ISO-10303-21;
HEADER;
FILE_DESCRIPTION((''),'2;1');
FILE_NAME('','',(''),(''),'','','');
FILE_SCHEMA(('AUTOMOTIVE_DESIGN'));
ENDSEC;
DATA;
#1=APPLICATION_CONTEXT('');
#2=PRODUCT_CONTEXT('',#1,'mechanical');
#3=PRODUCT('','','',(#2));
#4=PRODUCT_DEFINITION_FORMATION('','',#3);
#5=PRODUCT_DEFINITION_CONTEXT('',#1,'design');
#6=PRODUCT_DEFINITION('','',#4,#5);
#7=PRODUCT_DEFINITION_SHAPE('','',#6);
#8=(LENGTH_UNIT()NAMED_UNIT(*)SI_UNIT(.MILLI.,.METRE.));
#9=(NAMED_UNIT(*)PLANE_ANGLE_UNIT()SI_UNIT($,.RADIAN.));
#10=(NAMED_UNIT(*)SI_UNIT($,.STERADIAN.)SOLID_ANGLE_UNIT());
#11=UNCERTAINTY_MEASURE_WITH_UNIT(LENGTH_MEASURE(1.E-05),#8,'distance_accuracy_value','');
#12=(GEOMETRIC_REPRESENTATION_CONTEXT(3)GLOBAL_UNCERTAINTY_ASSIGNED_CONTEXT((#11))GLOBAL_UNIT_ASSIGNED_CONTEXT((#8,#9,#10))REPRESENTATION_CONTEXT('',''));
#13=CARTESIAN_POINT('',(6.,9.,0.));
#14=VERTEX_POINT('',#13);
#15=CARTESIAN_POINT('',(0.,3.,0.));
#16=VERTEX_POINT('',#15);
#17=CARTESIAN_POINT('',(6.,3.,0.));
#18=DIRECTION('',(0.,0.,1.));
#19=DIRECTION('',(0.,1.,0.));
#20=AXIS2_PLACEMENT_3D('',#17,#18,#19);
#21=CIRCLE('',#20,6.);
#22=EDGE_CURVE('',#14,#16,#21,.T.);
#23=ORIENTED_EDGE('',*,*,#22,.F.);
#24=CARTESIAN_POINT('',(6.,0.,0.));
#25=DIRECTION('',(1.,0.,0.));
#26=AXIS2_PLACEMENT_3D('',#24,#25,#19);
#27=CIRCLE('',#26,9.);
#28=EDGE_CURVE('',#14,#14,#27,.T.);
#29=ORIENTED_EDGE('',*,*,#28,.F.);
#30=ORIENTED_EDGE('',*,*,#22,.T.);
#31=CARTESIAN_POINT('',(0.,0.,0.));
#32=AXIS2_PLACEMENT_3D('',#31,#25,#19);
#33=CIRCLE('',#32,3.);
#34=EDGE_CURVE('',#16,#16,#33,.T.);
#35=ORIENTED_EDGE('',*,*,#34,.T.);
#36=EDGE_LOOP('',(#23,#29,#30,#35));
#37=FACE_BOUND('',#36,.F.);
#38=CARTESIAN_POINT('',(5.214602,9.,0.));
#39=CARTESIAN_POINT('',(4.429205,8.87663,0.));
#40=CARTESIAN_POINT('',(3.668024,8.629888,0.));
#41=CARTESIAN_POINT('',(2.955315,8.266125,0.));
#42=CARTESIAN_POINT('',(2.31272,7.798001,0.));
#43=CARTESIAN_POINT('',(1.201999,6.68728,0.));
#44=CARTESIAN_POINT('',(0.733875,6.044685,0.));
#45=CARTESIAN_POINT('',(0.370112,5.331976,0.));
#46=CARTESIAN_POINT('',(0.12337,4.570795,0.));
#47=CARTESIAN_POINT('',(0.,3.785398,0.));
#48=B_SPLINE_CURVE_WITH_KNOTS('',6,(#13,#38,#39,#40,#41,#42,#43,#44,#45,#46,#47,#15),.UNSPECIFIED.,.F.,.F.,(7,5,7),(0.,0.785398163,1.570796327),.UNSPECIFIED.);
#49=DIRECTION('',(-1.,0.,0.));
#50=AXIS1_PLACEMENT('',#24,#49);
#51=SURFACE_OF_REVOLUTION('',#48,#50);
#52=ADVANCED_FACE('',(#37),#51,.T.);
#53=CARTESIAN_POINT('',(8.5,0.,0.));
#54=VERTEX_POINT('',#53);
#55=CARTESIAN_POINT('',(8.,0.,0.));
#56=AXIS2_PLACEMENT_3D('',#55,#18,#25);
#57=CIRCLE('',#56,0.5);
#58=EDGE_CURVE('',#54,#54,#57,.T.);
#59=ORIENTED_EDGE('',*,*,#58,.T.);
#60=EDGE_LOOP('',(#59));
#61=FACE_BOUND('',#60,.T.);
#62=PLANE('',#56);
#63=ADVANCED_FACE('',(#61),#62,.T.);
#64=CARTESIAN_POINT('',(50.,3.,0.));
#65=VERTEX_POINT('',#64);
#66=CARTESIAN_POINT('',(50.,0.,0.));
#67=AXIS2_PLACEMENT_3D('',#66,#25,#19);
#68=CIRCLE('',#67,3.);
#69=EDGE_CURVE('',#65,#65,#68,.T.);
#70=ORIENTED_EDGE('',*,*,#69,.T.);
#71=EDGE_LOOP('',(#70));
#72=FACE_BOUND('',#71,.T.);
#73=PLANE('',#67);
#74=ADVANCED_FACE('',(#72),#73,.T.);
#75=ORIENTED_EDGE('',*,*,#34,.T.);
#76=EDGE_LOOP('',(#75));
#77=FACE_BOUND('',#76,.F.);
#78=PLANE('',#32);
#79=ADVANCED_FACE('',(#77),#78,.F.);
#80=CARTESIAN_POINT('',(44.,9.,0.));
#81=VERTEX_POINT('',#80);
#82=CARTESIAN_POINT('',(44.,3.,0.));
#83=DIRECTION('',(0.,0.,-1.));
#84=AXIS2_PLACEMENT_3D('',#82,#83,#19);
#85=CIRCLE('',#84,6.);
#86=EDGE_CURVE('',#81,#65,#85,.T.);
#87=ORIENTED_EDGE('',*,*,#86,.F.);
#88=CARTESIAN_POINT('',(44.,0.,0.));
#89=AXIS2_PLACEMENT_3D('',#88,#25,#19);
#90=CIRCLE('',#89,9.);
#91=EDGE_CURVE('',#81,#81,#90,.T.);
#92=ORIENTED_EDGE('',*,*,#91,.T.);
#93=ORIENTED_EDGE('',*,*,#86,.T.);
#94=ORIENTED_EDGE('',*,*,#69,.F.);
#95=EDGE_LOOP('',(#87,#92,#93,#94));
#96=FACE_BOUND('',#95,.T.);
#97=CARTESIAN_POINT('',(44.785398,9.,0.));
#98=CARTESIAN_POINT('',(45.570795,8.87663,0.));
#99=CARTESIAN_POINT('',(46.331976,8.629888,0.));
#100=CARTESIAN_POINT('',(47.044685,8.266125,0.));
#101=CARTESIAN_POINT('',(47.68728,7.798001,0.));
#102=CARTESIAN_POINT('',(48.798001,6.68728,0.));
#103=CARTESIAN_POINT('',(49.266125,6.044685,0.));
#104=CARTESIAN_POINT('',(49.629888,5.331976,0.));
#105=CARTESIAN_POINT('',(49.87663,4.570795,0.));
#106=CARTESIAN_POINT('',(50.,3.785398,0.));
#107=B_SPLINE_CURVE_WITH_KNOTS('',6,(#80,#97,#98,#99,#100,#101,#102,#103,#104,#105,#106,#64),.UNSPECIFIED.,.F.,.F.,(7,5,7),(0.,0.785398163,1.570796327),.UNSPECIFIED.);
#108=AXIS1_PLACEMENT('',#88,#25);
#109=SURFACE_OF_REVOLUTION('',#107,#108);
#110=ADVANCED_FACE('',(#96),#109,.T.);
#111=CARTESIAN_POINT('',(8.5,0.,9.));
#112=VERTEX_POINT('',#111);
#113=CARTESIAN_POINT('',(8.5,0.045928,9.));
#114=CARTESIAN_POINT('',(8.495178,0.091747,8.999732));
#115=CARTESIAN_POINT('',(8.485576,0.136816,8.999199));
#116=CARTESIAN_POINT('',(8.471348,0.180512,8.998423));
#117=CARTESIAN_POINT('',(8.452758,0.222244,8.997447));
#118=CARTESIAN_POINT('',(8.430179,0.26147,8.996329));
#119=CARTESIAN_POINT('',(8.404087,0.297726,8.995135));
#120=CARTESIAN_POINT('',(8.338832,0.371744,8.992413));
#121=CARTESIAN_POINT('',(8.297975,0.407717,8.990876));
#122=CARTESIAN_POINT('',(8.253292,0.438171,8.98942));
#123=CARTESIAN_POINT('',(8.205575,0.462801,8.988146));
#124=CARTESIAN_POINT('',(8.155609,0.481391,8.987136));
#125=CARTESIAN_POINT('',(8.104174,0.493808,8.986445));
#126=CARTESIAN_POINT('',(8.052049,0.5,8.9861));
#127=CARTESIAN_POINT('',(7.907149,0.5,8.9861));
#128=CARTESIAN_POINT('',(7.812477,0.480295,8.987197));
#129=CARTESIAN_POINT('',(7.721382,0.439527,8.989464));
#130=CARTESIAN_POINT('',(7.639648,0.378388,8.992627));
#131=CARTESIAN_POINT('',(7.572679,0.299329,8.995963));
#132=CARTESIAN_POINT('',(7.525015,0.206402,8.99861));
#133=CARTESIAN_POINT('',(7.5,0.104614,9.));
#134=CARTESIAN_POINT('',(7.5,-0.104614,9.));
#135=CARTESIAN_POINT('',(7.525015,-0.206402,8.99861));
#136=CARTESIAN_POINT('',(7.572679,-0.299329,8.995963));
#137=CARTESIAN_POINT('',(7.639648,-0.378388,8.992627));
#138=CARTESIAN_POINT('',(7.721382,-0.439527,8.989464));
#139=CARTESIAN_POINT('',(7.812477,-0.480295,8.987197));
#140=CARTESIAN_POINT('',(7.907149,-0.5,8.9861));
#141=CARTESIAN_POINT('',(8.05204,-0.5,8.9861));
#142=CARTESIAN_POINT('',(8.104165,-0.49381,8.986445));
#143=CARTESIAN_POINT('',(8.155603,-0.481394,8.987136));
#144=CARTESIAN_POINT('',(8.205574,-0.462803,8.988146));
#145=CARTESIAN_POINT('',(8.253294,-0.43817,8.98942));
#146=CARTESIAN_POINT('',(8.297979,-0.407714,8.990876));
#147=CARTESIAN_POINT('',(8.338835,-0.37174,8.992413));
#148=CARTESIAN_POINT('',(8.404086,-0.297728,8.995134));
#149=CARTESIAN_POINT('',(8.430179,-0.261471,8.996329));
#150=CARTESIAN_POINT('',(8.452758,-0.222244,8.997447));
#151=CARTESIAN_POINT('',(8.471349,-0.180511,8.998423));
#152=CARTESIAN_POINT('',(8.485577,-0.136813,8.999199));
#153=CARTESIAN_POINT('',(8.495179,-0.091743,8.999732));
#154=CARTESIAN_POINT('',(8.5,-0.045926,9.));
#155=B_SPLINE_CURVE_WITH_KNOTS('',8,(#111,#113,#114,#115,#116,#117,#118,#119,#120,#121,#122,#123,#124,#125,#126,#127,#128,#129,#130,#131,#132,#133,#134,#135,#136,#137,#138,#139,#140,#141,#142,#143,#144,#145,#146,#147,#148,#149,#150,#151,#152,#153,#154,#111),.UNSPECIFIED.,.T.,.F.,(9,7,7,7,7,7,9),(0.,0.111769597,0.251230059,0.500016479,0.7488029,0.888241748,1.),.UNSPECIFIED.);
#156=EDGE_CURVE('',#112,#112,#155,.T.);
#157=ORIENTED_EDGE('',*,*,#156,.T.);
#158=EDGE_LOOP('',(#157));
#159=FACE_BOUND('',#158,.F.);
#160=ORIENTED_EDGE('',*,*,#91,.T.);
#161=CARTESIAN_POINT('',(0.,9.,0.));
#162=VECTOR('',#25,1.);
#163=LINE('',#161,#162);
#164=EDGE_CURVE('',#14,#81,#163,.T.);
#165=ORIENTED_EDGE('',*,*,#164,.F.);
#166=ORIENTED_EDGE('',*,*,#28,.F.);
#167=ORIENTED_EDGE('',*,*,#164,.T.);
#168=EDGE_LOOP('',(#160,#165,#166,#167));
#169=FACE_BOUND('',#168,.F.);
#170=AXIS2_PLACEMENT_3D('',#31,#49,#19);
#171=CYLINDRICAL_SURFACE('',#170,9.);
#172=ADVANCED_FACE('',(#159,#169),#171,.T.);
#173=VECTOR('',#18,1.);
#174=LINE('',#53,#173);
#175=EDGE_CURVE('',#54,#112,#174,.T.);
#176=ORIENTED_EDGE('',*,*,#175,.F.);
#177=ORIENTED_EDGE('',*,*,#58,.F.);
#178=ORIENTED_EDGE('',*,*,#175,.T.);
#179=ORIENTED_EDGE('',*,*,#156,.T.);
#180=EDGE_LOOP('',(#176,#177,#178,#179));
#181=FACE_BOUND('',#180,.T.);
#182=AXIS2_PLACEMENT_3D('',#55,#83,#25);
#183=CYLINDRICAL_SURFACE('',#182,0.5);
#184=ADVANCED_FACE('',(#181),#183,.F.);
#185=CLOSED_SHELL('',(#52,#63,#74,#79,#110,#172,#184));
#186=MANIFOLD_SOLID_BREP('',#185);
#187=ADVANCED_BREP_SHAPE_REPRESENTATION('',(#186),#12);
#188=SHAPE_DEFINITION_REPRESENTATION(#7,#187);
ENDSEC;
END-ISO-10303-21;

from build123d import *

# Parameters (mm, degrees)
F0_R     = 9
F1_DEPTH = 50
F2_R     = 6
F3_R     = 0.5
F4_DEPTH = 25


with BuildPart() as f1:
    # F0 (on Right) → F1 (new body)
    with BuildSketch(Plane.YZ):
        Circle(F0_R)
    extrude(amount=F1_DEPTH)

    # F2
    f2_edges = [f1.edges().sort_by_distance(p)[0] for p in [
        (50, -9, 0),
        (0, -9, 0),
    ]]
    fillet(f2_edges, radius=F2_R)

    # F3 (on Top) → F4 (cut)
    with BuildSketch(Plane.XY):
        with Locations((8, 0)):
            Circle(F3_R)
    extrude(amount=F4_DEPTH, mode=Mode.SUBTRACT)


solid = f1.part
